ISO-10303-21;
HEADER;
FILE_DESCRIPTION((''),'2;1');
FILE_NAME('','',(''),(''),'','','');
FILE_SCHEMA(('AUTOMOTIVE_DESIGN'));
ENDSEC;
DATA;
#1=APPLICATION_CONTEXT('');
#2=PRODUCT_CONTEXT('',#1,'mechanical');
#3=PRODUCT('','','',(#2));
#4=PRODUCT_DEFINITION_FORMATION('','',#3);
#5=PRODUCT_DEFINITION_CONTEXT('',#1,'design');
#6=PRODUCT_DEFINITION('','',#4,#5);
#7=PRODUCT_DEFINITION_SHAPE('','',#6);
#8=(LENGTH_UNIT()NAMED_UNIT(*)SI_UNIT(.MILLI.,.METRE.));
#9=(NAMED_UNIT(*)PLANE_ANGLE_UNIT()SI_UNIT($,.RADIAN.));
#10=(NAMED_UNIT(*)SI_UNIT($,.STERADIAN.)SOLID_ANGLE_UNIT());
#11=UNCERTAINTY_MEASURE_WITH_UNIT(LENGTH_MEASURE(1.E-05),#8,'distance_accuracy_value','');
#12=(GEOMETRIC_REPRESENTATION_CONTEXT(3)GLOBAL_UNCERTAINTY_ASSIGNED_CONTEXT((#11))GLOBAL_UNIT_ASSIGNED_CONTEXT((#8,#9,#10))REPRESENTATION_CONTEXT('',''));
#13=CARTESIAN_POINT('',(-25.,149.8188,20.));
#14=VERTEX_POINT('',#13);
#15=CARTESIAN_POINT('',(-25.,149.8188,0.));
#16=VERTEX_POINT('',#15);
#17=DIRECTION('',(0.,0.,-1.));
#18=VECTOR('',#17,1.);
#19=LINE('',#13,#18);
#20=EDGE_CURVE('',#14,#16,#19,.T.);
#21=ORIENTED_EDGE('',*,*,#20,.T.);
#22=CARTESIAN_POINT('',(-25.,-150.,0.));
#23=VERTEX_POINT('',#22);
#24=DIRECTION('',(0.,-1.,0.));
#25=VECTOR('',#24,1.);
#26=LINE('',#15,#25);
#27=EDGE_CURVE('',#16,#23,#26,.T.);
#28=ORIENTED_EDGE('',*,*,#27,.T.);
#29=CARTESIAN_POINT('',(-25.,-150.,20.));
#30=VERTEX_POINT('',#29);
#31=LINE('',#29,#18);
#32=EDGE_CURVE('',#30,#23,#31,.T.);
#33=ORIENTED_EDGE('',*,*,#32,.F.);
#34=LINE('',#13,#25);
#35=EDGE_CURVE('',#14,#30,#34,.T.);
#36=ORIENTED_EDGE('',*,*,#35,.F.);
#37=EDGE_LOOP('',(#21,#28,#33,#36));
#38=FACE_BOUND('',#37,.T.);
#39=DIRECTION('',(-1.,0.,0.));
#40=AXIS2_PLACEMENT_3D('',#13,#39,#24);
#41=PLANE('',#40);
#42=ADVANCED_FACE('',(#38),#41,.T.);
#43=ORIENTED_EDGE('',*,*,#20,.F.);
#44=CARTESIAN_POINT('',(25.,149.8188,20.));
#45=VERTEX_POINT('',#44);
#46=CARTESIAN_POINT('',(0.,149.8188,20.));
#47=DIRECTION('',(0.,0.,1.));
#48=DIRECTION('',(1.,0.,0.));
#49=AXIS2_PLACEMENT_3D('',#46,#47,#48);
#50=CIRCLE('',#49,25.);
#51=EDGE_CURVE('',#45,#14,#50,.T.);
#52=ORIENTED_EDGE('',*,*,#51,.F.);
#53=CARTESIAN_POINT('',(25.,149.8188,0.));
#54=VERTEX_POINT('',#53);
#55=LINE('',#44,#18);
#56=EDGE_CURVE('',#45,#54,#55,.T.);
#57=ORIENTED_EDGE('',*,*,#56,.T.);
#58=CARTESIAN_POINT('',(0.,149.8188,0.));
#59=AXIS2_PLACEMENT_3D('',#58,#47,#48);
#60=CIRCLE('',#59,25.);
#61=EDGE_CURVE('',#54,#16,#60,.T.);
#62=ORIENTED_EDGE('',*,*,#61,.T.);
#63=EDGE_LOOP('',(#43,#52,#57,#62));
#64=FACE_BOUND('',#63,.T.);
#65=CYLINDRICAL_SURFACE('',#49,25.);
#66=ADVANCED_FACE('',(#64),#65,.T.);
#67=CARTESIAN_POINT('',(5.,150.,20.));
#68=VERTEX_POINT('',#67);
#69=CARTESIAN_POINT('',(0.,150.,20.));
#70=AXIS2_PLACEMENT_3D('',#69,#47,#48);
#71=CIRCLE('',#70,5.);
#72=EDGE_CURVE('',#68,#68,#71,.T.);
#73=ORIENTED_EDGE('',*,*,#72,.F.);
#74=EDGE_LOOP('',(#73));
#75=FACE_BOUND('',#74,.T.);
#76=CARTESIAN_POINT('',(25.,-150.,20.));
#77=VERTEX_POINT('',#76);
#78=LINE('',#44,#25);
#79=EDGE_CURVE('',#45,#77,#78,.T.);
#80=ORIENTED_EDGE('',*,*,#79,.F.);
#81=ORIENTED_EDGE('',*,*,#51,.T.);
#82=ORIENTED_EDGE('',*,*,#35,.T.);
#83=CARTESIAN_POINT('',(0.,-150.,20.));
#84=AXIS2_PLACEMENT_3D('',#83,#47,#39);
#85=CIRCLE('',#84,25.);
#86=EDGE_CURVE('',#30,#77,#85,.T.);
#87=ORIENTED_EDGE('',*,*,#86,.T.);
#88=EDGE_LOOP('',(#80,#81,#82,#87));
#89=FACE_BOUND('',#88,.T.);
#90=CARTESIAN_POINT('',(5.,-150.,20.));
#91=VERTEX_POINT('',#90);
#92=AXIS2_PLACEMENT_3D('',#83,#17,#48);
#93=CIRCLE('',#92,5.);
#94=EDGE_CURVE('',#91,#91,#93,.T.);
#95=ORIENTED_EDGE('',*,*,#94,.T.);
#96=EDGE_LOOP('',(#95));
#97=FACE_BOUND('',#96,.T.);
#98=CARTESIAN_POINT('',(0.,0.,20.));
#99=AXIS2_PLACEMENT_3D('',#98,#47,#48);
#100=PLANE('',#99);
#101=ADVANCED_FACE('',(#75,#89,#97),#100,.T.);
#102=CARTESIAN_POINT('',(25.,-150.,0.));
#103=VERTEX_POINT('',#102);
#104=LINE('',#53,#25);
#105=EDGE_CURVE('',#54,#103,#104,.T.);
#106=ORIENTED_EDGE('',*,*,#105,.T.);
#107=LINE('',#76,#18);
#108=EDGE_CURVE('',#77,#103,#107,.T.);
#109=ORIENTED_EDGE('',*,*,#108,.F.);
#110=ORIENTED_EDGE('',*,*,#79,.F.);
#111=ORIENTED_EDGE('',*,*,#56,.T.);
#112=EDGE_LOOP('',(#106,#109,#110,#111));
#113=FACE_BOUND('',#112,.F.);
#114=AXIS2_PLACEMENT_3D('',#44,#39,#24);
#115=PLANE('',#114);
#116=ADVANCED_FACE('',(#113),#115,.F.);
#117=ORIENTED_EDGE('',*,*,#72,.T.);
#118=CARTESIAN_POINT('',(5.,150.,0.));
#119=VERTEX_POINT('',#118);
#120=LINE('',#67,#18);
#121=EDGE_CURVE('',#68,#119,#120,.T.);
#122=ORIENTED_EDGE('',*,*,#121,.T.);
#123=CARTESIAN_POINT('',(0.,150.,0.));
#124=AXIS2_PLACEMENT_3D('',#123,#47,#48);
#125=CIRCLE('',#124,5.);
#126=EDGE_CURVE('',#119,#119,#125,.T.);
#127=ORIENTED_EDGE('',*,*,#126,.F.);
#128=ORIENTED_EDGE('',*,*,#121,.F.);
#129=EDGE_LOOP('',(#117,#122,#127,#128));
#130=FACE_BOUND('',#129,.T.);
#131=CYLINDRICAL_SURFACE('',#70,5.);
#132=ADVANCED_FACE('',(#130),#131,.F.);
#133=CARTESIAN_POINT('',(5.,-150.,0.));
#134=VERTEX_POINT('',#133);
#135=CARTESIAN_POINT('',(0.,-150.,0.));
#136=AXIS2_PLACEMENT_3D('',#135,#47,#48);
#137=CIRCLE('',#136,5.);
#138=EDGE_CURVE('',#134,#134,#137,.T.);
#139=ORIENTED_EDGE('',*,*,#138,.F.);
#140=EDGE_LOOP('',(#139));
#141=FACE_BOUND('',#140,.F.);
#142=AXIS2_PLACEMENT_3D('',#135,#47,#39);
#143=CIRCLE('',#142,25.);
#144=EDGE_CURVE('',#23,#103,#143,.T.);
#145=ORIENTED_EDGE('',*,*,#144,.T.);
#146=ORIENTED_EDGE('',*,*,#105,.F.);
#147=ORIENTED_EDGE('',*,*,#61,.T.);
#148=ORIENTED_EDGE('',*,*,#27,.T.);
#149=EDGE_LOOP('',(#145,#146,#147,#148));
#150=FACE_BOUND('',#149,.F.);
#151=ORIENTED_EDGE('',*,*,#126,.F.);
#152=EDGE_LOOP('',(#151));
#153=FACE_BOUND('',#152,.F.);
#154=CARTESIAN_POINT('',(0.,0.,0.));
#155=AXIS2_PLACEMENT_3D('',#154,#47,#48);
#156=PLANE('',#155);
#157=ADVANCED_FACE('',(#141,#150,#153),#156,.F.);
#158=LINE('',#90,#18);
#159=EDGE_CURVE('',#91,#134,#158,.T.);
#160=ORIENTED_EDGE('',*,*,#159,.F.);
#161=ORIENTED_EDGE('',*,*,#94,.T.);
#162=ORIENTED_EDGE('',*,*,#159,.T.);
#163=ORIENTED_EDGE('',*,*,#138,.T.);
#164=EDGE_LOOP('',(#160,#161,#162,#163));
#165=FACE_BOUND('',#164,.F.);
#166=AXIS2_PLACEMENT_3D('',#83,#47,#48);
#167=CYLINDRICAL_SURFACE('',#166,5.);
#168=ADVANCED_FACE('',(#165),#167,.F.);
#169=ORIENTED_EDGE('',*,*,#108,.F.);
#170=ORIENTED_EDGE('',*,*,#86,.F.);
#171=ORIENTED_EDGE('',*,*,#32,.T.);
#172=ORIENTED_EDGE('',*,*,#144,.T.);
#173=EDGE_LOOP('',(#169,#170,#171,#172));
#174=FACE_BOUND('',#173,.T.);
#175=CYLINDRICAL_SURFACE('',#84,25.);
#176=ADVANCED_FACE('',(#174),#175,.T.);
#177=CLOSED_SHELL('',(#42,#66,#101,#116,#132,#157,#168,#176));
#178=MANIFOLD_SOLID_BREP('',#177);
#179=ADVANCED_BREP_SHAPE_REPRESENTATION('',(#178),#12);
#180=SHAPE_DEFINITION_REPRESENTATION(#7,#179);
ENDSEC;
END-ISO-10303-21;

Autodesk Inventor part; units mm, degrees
ref_plane "YZ Plane" through (0, 0, 0) normal (1, 0, 0) x (0, 1, 0)
ref_plane "XZ Plane" through (0, 0, 0) normal (0, 1, 0) x (-1, 0, 0)
ref_plane "XY Plane" through (0, 0, 0) normal (0, 0, 1) x (1, 0, 0)
sketch "Sketch1" plane through (0, 0, 0) normal (0, 0, 1) x (1, 0, 0)
  line L0 (-7.5, 170) -> (7.5, 170)
  line L1 (7.5, 170) -> (7.5, -170)
  line L2 (7.5, -170) -> (-7.5, -170)
  line L3 (-7.5, -170) -> (-7.5, 170)
  line L4 (-10.5, 0) -> (10.5, 0) projected
  line L5 (0, -238) -> (0, 238) projected
  point P0 (0, 0)
  dimension "d4" = 7.5
  dimension "d5" = 7.5
  dimension "d6" = 170
  dimension "d7" = 170
extrude "Extrusion1" add sketch "Sketch1" along normal blind 20
sketch "Sketch2" plane through (0, 0, 20) normal (0, 0, 1) x (1, 0, 0)
  circle A0 centre (0, 150) radius 5
  circle A1 centre (0, -150) radius 5
  line L0 (-10.5, 0) -> (10.5, 0) projected
  line L1 (0, -238) -> (0, 238) projected
  point P0 (0, 0)
  dimension "d8" = 10
  dimension "d9" = 150
  dimension "d10" = 150
  dimension "d11" = 10
extrude "Extrusion2" cut sketch "Sketch2" against normal blind 180
sketch "Sketch3" plane through (0, 0, 20) normal (0, 0, 1) x (1, 0, 0)
  arc A0 (25, 149.8188) -> (-25, 149.8188) centre (0, 149.8188) ccw
  circle A1 centre (0, -150) radius 5 projected
  arc A2 (-25, -150) -> (25, -150) centre (0, -150) ccw
  line L0 (-25, 149.8188) -> (-25, -150)
  line L1 (25, 149.8188) -> (25, -150)
  line L2 (7.5, -170) -> (7.5, 170) projected
  point P0 (0, 0)
  dimension "d12" = 50
  dimension "d13" = 50
extrude "Extrusion3" add sketch "Sketch3" against normal blind 20
mirror "Mirror1" about plane through (0, 0, 0) normal (0, 1, 0) of "Extrusion2"
